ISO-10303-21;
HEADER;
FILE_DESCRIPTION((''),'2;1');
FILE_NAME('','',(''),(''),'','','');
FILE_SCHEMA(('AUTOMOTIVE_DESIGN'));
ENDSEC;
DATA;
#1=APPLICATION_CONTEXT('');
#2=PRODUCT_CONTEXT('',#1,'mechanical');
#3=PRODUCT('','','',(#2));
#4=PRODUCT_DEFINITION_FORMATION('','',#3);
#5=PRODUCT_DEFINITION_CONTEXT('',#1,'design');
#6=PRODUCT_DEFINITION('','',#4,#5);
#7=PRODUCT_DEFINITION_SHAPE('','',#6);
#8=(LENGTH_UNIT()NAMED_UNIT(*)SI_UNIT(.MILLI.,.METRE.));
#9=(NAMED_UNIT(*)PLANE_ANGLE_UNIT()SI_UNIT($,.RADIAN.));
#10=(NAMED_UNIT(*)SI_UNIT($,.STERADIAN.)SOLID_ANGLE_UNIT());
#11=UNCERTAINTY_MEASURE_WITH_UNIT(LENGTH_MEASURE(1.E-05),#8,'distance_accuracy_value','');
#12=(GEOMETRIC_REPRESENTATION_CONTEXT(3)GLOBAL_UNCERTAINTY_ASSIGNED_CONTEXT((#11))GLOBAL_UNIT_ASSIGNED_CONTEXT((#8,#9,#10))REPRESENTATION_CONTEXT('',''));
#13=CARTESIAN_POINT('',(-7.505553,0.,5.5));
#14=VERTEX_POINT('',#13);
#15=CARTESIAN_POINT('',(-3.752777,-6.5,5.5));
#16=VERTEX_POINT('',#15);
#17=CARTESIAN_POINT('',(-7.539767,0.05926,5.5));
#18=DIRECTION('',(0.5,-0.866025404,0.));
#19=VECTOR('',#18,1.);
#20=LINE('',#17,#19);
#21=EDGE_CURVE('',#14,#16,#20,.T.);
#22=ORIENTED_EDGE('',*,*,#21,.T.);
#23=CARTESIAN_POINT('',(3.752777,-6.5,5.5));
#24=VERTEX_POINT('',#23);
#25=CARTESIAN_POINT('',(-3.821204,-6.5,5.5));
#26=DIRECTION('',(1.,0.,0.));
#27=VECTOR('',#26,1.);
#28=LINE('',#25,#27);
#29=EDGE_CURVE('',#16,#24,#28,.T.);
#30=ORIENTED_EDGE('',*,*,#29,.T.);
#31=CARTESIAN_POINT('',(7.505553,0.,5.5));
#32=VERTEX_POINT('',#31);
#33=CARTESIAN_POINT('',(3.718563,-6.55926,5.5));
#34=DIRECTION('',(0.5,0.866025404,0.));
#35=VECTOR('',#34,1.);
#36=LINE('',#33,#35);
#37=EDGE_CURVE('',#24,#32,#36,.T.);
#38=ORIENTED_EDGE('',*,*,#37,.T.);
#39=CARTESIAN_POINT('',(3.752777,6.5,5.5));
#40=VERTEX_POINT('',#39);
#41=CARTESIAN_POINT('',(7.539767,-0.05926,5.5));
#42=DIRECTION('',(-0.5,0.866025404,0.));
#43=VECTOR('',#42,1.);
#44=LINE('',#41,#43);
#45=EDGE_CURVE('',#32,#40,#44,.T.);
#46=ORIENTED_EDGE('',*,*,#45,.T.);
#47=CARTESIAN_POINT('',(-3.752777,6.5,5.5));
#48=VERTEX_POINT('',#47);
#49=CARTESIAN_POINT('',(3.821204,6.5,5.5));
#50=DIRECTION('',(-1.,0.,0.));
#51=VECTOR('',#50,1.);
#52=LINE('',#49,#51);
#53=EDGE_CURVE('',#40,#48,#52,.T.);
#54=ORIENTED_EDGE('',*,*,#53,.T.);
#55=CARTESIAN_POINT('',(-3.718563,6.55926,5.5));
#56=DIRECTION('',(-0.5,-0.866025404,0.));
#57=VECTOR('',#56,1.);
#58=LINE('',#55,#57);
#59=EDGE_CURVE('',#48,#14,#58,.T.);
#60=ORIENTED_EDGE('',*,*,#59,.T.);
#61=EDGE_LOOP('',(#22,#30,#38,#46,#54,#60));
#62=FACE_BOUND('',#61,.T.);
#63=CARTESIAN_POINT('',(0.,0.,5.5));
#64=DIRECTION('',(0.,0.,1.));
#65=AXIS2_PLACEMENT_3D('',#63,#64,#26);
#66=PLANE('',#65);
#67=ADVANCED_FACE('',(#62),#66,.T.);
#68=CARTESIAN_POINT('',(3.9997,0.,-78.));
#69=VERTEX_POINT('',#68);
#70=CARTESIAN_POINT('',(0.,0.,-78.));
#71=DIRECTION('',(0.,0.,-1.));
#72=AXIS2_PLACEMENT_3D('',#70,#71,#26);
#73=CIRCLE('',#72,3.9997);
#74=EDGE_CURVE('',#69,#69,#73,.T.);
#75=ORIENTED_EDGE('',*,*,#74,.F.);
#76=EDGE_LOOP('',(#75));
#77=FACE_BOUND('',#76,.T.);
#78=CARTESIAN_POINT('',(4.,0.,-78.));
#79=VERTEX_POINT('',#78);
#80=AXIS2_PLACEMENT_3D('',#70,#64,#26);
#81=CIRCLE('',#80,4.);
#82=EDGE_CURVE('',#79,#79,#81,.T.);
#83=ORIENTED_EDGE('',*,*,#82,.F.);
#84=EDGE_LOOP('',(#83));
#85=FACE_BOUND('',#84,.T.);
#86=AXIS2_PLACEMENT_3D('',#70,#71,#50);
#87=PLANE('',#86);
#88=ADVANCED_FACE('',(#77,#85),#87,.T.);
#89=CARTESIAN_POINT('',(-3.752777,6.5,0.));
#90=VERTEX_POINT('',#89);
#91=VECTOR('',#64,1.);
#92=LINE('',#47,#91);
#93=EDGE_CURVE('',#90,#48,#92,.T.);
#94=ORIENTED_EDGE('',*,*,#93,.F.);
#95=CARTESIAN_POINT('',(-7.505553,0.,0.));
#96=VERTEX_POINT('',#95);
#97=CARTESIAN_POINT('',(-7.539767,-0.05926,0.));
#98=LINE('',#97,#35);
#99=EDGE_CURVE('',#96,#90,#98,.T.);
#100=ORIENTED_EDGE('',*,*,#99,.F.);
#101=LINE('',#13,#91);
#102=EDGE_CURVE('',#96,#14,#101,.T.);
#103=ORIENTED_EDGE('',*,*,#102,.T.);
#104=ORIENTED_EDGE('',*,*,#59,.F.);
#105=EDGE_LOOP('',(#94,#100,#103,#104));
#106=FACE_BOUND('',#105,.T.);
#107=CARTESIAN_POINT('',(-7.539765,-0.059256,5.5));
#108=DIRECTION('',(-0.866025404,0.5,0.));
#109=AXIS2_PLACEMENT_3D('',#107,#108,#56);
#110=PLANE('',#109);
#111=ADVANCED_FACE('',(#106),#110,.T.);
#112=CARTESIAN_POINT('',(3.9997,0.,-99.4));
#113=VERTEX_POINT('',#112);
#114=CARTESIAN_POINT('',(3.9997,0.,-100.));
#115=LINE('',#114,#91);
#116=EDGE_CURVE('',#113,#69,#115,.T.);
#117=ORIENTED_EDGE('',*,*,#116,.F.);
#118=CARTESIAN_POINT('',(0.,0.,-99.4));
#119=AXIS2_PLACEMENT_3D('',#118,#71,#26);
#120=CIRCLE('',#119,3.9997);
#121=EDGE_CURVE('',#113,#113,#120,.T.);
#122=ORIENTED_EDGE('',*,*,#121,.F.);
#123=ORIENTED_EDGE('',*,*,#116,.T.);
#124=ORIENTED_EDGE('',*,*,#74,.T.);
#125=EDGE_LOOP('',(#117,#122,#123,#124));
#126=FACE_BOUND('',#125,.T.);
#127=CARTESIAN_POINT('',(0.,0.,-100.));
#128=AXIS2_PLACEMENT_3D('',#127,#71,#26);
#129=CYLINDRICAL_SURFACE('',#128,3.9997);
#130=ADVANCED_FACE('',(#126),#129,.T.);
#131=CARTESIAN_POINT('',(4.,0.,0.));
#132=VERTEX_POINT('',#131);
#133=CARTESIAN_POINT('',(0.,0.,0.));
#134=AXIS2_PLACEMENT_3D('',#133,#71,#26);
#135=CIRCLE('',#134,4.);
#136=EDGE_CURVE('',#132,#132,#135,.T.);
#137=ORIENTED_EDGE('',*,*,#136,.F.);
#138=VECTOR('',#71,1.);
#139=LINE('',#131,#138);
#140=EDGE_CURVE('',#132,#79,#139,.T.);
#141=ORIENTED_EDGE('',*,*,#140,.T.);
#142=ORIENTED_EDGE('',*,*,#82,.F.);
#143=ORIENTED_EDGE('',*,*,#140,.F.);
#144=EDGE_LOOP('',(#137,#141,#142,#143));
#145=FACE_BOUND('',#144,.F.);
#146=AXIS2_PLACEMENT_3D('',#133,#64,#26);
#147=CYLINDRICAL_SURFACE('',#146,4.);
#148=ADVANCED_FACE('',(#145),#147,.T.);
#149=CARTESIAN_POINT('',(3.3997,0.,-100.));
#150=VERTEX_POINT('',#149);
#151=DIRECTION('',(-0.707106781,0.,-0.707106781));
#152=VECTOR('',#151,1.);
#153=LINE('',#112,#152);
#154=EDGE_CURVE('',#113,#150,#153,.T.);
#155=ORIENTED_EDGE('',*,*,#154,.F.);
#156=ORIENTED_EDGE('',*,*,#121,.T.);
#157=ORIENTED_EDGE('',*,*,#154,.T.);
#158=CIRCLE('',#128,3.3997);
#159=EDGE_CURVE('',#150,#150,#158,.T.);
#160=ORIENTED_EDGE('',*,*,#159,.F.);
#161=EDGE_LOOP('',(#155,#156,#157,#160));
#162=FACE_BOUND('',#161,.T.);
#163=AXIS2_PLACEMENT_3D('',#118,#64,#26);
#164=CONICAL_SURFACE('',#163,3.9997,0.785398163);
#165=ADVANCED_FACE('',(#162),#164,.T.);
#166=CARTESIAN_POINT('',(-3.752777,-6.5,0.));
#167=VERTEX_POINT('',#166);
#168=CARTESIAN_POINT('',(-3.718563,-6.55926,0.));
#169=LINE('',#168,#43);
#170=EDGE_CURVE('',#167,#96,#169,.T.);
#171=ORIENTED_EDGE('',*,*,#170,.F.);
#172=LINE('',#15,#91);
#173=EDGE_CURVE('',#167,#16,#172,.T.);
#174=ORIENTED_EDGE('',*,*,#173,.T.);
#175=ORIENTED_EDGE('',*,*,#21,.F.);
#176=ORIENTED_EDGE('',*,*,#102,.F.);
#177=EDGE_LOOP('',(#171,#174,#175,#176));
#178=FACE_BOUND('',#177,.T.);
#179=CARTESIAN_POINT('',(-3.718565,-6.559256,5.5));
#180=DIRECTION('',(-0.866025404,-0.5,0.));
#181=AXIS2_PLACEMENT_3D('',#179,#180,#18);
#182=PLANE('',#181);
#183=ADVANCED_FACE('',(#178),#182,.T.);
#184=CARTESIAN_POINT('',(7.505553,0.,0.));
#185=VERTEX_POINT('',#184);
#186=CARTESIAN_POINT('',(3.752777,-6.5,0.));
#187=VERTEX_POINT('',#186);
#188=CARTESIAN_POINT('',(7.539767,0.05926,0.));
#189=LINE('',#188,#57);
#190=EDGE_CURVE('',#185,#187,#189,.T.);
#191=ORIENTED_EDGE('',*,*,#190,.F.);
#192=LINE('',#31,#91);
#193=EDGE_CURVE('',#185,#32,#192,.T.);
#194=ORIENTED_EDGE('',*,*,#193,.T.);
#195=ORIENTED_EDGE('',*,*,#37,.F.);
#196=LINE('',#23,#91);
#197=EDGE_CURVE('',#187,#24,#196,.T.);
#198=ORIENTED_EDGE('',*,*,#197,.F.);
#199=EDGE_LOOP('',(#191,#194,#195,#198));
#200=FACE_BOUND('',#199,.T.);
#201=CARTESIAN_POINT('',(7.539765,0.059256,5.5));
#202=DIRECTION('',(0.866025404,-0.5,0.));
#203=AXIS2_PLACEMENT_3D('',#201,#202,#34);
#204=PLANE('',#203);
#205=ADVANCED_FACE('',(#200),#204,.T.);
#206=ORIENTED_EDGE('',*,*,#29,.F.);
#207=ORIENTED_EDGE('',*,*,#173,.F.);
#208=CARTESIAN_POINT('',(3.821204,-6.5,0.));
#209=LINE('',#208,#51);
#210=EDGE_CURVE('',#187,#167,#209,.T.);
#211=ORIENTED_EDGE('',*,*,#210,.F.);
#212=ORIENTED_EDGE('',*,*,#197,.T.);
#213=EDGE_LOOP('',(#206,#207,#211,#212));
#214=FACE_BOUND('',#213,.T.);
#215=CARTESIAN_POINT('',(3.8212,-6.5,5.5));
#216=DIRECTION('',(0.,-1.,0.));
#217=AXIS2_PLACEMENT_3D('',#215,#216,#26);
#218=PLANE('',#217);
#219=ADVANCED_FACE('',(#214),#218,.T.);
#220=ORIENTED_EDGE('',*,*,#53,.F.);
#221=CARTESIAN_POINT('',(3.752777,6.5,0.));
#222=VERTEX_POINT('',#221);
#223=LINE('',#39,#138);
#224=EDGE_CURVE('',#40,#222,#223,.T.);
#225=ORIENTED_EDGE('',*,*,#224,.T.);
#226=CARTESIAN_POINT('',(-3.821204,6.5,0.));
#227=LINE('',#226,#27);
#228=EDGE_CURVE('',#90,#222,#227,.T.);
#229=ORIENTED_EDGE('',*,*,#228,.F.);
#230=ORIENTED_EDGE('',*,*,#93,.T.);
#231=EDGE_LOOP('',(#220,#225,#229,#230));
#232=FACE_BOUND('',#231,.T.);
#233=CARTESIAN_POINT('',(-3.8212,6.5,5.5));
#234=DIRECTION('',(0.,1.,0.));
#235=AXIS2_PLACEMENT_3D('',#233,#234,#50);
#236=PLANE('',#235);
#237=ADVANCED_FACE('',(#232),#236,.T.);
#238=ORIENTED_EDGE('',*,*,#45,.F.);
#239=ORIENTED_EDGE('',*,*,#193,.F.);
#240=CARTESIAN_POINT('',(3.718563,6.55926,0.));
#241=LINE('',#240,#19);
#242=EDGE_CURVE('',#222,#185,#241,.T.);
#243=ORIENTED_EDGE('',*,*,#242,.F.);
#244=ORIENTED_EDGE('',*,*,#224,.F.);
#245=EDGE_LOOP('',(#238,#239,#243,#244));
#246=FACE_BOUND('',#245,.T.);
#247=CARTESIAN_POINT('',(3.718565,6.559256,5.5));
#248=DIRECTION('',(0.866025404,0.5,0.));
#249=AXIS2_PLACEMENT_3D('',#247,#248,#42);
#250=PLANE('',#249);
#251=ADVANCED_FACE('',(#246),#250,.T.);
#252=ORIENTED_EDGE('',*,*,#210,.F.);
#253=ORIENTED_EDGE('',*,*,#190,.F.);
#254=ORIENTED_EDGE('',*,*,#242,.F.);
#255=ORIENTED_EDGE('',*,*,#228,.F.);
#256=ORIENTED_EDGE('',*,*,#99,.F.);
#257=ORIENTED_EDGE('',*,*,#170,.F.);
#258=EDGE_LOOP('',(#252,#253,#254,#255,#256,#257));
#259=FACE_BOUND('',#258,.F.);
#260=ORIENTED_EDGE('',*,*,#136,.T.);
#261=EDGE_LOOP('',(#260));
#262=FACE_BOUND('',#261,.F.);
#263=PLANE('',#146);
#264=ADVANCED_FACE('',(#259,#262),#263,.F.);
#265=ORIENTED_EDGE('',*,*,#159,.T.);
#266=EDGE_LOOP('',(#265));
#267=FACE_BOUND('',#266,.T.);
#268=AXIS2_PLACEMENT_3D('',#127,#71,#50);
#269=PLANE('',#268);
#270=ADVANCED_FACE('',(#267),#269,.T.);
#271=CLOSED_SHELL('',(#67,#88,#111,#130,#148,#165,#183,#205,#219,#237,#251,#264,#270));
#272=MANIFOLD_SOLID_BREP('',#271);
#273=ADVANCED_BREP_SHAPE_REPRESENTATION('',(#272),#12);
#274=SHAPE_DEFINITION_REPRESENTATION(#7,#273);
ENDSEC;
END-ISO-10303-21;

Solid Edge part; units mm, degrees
sketch "Sketch1" plane through (0, 0, 0) normal (0, 0, 1) x (1, 0, 0)
  circle A0 centre (0, 0) radius 7.54
  dimension "D1" = 15.08
extrude "Protrusion1" add sketch "Sketch1" along normal blind 5.5
sketch "Sketch2" plane through (0, 0, 0) normal (0, 0, -1) x (1, 0, 0)
  circle A0 centre (0, 0) radius 4
extrude "Protrusion2" add sketch "Sketch2" along normal blind 100
sketch "Sketch3" plane through (0, 0, -100) normal (0, 0, -1) x (1, 0, 0)
  circle A0 centre (0, 0) radius 3.9997
extrude "Cutout1" cut sketch "Sketch3" against normal blind 22 flip side to cut
chamfer "Chamfer_1" distance 0.6 angle 45 1 edges at (-3.9997, 0, -100)
sketch "Sketch4" plane through (0, 0, 5.5) normal (0, 0, 1) x (1, 0, 0)
  line L0 (-3.8212, 6.5) -> (3.8212, 6.5)
  dimension "D1" = 13
extrude "Cutout2" cut sketch "Sketch4" against normal up to next material side at (0, 6.55, 5.5)
pattern_circular "Pattern1" count 6 over 360 about axis through (0, 0, 5.5) along (0, 0, 1) of "Cutout2"
properties part number "119172"
